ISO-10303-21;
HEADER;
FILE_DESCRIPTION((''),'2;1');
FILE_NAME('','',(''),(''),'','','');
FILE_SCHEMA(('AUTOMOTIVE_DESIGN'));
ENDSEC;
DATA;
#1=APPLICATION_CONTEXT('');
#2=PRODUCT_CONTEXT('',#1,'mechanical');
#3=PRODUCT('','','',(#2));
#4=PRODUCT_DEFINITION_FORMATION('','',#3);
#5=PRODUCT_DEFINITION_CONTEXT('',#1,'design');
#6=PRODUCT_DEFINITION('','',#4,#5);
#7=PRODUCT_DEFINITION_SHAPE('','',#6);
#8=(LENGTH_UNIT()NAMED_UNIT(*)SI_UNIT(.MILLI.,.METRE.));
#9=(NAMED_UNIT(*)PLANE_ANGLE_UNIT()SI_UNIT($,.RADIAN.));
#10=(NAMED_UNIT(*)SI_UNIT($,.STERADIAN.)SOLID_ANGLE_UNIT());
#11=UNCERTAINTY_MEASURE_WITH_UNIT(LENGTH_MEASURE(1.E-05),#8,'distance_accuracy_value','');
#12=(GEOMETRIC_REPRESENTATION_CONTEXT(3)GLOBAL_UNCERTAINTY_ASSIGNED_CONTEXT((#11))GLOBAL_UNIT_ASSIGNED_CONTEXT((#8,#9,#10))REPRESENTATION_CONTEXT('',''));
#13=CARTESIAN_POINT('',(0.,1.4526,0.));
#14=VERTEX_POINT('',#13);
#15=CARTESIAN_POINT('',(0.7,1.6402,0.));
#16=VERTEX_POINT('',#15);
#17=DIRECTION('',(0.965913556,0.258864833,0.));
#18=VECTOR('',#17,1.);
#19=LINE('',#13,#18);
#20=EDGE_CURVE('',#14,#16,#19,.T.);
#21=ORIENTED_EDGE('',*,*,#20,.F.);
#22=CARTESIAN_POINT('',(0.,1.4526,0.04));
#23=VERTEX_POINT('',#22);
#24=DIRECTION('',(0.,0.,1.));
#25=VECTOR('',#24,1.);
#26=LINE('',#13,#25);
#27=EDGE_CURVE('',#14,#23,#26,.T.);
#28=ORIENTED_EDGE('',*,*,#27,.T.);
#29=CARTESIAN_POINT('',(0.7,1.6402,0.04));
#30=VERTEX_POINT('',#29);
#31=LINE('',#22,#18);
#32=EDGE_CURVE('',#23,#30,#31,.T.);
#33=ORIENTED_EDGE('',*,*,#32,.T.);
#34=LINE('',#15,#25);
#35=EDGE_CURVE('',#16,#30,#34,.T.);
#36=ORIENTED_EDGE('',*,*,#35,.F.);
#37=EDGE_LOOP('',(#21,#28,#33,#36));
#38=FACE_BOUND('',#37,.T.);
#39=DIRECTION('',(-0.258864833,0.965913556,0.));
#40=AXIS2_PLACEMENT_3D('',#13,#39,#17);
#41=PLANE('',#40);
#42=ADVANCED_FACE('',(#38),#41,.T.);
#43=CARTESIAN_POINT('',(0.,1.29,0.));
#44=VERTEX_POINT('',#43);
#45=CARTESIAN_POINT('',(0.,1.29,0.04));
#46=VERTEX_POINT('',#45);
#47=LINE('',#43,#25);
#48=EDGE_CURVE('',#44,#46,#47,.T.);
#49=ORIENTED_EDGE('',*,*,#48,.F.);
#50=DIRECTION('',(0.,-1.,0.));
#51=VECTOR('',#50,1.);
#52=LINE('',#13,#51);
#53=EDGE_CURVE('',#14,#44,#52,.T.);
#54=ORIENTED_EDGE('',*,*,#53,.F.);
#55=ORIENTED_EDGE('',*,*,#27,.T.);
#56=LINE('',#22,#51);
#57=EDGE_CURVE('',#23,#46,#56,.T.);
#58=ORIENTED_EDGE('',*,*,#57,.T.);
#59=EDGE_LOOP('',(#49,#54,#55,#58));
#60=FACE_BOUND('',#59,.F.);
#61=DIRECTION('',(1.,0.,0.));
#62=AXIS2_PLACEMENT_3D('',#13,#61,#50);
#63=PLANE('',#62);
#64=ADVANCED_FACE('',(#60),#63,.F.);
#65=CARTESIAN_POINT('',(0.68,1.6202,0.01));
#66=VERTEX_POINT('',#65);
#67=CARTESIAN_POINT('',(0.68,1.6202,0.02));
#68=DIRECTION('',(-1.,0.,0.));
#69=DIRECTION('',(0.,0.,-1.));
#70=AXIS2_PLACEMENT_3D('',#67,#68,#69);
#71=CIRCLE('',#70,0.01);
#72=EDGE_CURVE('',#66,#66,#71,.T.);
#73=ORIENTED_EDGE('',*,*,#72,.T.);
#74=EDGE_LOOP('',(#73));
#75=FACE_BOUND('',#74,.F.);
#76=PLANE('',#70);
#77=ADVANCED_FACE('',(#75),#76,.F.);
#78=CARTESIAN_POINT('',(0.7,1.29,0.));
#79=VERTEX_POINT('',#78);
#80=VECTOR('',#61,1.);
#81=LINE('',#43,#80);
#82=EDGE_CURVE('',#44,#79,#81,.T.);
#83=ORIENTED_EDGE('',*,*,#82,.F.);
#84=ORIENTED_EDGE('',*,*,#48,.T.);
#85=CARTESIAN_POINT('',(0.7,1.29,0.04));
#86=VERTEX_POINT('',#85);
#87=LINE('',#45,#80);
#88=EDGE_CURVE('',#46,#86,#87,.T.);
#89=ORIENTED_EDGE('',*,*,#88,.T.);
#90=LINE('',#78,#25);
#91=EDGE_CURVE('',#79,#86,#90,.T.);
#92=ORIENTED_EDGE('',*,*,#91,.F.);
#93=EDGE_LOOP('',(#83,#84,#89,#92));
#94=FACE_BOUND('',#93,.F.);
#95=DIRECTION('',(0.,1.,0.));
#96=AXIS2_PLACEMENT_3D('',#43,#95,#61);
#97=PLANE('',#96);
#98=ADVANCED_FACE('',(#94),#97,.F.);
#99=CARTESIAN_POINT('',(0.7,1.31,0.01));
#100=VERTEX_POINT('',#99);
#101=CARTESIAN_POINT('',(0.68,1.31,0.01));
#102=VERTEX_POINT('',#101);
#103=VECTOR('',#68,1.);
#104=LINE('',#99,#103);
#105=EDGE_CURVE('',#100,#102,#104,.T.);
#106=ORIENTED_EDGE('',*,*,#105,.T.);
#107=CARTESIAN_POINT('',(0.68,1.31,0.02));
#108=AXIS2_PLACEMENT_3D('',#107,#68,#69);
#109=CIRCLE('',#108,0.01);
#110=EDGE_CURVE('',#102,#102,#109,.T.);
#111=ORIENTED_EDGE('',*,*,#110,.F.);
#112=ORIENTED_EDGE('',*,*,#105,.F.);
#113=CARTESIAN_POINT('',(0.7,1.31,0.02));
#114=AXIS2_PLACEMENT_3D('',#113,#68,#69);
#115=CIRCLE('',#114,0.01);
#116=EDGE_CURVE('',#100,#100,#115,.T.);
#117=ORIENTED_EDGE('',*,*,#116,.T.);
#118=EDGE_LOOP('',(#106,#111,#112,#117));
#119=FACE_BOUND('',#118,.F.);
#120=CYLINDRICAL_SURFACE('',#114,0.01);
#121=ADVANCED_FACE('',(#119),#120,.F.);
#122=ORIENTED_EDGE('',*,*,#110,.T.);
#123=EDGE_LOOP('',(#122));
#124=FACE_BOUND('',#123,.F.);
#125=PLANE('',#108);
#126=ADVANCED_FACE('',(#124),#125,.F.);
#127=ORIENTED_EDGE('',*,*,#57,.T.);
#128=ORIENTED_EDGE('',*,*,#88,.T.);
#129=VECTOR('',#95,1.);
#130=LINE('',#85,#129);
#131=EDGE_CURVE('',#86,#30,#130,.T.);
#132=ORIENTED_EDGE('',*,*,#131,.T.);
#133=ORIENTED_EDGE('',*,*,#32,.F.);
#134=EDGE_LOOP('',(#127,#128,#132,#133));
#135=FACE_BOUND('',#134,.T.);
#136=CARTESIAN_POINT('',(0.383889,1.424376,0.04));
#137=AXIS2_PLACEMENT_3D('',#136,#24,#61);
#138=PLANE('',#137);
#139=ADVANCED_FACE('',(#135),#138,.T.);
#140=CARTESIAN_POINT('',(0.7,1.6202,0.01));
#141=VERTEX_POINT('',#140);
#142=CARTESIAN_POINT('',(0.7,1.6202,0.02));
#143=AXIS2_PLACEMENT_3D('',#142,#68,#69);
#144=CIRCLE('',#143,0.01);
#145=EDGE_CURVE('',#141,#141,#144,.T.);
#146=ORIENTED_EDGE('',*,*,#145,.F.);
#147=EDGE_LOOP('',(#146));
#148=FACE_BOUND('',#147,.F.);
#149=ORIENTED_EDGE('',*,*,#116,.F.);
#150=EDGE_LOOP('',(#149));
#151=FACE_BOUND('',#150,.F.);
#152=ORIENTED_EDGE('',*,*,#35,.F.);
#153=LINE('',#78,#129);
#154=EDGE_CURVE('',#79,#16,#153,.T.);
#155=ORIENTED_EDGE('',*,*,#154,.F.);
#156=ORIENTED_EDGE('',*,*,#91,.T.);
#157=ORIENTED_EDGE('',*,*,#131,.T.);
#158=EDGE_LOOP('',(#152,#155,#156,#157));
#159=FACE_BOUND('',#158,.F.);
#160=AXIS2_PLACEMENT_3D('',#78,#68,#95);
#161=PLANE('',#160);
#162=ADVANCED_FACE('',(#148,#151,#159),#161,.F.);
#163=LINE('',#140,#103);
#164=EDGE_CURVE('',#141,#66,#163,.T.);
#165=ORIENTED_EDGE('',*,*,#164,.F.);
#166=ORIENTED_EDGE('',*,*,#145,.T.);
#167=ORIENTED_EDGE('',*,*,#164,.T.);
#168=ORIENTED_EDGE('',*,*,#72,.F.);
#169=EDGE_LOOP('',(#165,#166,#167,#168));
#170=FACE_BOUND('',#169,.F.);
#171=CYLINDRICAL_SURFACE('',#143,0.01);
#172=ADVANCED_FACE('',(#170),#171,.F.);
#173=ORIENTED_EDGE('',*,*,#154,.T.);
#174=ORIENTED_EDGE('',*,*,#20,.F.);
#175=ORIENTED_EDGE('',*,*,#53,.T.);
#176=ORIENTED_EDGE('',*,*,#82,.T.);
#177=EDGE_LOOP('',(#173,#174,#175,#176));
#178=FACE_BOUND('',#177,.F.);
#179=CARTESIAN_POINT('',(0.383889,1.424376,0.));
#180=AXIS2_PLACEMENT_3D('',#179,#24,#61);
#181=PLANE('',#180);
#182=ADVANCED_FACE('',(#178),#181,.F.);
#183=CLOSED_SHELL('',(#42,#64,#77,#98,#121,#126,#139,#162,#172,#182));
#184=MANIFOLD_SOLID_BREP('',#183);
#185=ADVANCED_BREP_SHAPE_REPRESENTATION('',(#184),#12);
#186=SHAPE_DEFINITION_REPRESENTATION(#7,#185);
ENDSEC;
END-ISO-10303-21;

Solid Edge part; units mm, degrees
sketch "Sketch1" plane through (0, 0, 0) normal (0, 0, 1) x (1, 0, 0)
  line L0 (0.7, 1.29) -> (0.7, 1.6402)
  line L1 (0, 1.4526) -> (0.7, 1.6402)
  line L2 (0, 1.4526) -> (0, 1.29)
  line L3 (0, 1.29) -> (0.7, 1.29)
extrude "Protrusion1" add sketch "Sketch1" along normal blind 0.04
hole "Bohrung_5" at (0.7, 1.6202, 0.02) direction (-1, 0, 0) diameter 0.02 depth 0.02
hole "Hole1" at (0.7, 1.31, 0.02) direction (-1, 0, 0) diameter 0.02 depth 0.02
